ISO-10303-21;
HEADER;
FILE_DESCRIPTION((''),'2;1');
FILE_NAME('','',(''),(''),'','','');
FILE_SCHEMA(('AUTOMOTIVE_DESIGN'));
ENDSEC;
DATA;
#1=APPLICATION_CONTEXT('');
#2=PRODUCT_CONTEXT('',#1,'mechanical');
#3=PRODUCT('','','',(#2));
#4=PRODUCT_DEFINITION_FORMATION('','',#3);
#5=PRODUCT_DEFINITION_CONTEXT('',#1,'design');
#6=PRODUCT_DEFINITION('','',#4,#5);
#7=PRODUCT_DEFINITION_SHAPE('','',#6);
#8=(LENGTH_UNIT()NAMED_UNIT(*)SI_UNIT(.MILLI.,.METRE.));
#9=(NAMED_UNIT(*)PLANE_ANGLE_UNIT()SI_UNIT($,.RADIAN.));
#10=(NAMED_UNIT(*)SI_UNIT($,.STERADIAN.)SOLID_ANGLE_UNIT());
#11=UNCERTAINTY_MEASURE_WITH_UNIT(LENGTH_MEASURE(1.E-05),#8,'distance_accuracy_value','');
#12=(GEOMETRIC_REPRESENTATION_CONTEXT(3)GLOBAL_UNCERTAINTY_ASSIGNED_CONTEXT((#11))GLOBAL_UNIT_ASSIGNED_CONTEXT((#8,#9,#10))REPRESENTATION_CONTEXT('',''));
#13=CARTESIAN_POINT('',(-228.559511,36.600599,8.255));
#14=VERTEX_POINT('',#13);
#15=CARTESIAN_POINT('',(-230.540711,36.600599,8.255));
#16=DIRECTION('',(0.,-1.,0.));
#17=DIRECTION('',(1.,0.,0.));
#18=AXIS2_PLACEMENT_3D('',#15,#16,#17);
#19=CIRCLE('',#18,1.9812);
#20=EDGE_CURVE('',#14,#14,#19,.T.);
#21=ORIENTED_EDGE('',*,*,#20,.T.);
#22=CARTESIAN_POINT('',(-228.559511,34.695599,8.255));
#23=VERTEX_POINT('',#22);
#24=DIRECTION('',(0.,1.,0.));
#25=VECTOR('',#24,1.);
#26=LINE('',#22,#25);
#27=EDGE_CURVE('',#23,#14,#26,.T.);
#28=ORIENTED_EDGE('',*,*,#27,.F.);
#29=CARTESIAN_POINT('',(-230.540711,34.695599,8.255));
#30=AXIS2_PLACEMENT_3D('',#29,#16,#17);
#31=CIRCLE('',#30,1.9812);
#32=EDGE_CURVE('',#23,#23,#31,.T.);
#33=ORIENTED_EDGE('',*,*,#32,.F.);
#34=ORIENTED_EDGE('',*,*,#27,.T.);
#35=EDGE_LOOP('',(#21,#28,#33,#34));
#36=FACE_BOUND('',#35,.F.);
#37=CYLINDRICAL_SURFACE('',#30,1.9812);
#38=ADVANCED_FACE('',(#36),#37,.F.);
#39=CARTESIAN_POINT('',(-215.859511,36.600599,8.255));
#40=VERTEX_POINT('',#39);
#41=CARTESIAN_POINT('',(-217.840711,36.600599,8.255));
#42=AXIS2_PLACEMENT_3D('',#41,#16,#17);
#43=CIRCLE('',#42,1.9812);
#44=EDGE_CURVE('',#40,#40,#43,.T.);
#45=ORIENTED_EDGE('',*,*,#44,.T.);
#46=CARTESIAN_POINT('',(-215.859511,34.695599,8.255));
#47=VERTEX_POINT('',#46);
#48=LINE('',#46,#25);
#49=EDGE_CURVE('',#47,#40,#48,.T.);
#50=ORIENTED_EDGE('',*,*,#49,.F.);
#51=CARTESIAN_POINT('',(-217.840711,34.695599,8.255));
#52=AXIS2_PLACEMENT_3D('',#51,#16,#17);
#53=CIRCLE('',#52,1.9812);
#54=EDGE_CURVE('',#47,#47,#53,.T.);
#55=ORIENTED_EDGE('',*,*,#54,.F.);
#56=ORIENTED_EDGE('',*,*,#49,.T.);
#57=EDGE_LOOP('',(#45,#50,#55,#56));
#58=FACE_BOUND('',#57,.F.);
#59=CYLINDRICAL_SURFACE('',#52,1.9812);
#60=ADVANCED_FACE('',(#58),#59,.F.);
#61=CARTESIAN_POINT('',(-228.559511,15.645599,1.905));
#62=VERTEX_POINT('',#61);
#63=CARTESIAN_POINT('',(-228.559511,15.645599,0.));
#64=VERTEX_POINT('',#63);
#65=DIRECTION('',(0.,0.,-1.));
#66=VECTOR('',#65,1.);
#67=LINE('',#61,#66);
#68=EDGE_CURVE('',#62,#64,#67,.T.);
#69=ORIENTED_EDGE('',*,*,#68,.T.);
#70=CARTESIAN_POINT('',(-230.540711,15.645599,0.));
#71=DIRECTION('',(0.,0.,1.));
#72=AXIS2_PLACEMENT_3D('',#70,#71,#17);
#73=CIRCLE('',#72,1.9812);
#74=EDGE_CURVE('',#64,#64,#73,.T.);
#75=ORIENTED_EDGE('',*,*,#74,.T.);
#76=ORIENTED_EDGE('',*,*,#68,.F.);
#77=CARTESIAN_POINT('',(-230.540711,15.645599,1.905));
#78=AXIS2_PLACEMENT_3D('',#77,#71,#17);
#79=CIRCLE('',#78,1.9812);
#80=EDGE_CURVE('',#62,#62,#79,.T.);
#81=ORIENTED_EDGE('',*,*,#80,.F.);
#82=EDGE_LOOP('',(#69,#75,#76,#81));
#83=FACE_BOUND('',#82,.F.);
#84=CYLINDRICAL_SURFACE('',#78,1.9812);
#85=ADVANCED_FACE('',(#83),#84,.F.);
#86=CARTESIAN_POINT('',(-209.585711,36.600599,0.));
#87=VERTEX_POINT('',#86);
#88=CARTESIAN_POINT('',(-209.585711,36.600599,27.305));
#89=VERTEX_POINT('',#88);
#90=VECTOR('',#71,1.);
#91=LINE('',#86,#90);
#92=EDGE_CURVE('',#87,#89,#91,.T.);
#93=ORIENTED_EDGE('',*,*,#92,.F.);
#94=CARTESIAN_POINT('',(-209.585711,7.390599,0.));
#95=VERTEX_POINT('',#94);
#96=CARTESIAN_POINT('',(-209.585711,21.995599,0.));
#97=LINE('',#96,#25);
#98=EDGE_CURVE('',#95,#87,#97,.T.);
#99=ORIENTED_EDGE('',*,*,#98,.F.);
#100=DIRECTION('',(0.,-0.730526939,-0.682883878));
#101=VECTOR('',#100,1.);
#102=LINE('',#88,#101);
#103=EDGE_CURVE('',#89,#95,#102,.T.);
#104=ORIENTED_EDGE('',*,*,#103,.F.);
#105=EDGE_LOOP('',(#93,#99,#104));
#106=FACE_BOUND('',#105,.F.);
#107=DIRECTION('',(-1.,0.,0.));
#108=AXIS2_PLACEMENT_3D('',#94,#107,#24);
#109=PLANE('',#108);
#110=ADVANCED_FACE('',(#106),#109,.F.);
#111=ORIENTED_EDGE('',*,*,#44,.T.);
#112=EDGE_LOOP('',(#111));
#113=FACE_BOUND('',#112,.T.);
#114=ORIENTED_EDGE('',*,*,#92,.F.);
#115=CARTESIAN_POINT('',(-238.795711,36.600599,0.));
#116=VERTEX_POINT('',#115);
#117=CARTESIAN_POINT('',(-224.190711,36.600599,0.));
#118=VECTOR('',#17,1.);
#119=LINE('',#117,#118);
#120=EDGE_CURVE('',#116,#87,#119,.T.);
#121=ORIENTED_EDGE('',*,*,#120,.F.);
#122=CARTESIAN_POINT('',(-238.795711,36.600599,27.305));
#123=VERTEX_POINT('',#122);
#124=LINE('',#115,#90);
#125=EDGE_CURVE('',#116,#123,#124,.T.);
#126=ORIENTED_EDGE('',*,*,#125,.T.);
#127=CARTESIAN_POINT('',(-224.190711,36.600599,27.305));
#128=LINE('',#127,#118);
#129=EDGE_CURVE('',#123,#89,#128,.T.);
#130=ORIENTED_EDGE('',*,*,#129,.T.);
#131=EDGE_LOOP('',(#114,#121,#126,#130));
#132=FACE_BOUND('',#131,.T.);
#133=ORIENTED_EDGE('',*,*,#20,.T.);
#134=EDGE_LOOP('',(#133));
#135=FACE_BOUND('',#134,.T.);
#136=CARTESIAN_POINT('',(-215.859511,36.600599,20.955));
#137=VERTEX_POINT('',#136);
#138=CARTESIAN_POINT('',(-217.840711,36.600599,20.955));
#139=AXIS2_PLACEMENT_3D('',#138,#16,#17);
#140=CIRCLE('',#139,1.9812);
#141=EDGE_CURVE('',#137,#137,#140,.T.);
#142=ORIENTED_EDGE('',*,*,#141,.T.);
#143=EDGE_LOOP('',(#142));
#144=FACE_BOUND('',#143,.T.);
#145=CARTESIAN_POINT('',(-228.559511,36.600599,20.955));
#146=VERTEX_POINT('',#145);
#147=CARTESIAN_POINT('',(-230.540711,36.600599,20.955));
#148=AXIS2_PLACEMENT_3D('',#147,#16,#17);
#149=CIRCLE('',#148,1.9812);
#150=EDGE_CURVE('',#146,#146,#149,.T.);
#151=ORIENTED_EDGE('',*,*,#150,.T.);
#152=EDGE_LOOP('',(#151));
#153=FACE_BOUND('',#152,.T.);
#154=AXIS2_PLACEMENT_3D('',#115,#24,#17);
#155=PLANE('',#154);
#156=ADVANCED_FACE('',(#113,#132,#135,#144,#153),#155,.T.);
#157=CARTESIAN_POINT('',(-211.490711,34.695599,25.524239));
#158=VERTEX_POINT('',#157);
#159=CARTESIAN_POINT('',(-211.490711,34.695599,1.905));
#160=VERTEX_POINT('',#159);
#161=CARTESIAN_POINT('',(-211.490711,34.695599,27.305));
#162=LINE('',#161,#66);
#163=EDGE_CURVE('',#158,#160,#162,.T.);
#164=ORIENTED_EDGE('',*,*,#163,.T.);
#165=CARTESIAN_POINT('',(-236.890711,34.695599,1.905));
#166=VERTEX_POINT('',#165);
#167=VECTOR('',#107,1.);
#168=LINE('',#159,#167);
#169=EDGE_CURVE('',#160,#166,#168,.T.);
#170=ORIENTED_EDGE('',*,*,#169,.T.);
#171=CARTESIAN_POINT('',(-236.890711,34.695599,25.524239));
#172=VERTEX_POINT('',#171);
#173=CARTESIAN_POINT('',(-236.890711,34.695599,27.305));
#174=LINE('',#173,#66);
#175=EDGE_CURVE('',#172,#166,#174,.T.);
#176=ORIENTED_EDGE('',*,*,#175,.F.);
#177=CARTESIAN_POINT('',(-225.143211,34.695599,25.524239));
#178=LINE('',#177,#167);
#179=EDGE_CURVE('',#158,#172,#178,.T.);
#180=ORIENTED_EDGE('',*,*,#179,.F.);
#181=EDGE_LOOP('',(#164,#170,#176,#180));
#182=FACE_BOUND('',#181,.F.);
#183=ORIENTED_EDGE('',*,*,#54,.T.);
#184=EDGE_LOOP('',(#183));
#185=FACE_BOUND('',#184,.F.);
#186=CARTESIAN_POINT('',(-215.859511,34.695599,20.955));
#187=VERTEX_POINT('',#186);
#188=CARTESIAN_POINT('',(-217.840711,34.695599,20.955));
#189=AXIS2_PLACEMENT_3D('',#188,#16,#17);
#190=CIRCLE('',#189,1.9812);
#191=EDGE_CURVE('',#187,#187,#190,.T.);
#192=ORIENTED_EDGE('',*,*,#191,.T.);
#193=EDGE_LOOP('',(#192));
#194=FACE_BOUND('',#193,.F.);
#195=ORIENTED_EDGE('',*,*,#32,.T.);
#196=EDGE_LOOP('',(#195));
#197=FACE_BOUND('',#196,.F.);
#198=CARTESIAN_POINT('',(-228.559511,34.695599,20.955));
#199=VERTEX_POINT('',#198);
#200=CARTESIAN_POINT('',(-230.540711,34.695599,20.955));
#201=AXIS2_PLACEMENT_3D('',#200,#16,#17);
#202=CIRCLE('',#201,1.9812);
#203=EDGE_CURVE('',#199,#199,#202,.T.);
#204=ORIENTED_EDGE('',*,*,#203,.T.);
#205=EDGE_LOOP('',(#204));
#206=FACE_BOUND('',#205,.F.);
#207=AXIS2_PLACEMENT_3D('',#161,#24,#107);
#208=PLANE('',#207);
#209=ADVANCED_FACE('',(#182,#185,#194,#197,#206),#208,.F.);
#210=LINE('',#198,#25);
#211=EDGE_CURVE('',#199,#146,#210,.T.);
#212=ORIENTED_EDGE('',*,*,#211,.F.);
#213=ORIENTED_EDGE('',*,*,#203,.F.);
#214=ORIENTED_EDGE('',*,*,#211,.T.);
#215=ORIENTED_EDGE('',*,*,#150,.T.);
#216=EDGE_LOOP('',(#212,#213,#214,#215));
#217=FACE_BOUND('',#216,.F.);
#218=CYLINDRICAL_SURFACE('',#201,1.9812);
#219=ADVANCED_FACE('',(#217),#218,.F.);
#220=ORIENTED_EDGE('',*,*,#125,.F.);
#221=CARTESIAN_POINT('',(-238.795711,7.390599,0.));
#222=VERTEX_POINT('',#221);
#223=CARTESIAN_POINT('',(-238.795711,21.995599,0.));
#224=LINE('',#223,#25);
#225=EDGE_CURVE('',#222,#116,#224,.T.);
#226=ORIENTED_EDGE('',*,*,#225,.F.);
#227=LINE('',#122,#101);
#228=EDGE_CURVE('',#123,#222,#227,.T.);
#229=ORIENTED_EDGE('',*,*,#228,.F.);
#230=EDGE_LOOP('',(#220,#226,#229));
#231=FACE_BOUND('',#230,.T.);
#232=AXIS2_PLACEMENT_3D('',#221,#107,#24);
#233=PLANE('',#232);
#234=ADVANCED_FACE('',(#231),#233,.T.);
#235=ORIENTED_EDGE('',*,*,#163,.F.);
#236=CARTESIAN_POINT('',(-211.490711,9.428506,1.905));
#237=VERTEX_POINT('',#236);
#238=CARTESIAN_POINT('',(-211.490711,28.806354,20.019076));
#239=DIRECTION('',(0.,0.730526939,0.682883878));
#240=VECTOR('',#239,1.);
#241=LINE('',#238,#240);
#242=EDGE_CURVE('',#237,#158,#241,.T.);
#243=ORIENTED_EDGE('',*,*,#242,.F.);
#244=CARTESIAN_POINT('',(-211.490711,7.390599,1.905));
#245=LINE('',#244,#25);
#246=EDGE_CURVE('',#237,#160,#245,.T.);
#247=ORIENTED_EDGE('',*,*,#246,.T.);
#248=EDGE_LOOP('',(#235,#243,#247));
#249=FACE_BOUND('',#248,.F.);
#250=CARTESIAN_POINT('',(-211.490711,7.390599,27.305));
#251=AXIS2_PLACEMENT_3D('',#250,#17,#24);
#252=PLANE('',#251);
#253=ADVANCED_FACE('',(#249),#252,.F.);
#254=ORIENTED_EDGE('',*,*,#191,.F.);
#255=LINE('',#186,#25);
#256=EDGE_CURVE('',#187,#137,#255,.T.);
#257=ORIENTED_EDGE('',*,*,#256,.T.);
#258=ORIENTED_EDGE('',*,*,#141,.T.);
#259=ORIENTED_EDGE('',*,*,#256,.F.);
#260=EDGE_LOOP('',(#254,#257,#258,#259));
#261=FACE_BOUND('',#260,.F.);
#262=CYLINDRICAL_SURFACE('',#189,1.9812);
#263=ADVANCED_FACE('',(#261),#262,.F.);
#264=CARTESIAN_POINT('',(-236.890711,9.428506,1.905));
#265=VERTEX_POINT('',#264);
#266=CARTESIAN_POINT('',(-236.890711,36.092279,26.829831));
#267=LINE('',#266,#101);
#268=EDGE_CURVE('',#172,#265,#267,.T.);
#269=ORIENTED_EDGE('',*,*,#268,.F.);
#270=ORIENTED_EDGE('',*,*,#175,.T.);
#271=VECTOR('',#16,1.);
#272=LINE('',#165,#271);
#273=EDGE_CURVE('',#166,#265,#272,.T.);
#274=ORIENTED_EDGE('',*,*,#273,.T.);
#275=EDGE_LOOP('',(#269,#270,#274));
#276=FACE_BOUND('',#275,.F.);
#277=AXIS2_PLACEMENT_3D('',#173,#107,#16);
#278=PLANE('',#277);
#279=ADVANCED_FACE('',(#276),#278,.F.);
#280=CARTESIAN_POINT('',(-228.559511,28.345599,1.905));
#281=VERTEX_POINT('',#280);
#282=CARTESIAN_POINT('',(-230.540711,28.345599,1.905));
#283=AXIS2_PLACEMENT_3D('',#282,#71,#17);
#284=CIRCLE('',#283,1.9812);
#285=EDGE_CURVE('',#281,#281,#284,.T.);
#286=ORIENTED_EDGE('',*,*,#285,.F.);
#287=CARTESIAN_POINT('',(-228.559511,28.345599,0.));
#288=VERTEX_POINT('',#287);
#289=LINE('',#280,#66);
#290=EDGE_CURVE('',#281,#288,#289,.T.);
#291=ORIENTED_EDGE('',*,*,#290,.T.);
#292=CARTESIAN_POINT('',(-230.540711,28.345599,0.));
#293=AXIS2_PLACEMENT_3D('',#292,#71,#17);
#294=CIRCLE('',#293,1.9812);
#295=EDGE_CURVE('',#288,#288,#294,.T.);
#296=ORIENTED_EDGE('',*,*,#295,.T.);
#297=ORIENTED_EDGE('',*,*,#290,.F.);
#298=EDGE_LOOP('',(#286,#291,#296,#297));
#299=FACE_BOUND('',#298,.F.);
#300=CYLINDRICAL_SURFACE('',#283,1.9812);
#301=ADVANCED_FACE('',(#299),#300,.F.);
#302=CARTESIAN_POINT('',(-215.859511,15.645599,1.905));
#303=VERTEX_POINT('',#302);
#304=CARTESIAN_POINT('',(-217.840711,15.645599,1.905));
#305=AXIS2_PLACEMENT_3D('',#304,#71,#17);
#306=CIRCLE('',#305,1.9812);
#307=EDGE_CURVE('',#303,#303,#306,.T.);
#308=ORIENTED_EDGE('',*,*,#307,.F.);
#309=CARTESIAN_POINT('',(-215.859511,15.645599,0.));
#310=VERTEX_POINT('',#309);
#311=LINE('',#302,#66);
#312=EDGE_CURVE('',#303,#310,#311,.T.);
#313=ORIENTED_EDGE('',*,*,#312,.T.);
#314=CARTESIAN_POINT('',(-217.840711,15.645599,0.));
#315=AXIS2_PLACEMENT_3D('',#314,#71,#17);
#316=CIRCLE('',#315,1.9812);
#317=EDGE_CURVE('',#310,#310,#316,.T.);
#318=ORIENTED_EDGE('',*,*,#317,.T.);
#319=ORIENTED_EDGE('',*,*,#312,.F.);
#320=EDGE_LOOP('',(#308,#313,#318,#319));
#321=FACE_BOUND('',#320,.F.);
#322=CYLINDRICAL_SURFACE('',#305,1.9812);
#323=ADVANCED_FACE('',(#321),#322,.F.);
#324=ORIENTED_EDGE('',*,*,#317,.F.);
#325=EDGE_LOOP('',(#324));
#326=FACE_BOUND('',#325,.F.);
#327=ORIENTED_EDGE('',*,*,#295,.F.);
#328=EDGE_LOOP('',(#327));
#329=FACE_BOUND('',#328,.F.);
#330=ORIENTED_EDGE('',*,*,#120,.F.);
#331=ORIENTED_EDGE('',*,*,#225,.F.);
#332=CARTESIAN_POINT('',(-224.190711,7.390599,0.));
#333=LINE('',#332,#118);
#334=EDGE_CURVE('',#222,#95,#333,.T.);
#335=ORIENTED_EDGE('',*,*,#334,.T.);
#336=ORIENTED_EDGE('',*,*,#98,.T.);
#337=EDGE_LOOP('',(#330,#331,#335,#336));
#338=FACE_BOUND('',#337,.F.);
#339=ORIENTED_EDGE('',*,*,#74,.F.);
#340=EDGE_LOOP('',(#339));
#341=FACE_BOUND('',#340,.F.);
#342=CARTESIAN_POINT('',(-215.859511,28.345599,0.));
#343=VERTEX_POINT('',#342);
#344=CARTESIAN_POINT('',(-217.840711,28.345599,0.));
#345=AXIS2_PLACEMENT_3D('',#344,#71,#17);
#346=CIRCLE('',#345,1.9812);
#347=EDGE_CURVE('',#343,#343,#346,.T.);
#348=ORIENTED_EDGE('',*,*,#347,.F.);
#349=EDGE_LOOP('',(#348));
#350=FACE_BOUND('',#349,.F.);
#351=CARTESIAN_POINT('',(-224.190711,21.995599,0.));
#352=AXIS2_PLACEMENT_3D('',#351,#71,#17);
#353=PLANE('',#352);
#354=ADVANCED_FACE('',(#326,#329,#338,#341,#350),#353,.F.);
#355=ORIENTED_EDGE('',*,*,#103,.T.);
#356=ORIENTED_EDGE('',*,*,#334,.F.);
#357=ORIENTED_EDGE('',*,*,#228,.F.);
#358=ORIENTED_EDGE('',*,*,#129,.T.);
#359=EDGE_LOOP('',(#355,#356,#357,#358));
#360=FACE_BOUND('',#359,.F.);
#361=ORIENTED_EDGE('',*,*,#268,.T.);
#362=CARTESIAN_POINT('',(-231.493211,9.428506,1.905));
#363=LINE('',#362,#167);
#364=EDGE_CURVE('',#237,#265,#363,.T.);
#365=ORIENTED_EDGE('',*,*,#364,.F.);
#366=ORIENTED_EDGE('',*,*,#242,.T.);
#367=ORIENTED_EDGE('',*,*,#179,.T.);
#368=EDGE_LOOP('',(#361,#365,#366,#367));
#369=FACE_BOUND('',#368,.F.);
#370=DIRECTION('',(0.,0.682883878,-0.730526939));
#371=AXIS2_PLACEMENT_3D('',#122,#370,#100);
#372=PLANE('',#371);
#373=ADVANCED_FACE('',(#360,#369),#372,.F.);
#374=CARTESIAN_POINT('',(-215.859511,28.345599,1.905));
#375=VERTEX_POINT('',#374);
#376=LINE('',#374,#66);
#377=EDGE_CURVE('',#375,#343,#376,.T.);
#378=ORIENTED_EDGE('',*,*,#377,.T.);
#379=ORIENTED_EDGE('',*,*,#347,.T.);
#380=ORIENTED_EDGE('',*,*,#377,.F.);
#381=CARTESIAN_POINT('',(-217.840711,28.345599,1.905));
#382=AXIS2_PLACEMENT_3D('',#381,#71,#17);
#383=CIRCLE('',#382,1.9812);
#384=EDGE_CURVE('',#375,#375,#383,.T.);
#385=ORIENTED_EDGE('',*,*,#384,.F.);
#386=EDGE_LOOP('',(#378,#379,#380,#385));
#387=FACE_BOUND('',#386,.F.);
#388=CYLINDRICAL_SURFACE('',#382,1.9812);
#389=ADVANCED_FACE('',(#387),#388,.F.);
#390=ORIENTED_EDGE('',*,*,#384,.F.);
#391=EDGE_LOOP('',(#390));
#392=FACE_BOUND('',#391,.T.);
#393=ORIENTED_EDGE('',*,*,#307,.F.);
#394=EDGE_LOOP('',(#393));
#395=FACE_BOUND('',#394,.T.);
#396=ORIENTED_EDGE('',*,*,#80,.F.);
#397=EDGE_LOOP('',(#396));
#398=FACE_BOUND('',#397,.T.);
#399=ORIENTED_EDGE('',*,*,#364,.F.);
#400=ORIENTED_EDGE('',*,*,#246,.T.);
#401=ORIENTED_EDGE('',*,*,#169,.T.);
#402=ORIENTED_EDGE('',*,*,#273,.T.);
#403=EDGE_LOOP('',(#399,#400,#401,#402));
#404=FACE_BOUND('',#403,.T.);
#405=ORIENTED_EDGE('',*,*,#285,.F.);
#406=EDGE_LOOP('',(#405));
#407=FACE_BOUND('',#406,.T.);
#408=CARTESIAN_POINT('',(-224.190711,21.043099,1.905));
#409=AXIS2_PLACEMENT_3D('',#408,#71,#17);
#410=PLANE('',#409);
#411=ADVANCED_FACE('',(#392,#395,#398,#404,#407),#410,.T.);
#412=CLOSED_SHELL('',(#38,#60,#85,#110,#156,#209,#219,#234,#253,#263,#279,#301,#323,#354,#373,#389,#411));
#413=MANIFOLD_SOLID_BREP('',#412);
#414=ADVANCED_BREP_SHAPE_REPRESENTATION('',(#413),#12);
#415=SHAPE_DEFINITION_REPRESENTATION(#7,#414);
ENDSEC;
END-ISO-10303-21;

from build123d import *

# Parameters (mm, degrees)
F0_W     = 29.21
F0_H     = 29.21
F1_DEPTH = 27.305
F4_DEPTH = 25.4
F5_DEPTH = 29.21
F6_R     = 1.9812
F8_DEPTH = 25.4
F7_R     = 1.9812
F9_DEPTH = 25.4


with BuildPart() as f1:
    # F0 (on Top) → F1 (new body)
    with BuildSketch(Plane.XY):
        with Locations((-224.190711, 21.995599)):
            Rectangle(F0_W, F0_H)
    extrude(amount=F1_DEPTH)

    # F2 (on face) → F4 (cut)
    with BuildSketch(Plane.XY.offset(27.305)):
        Polygon((-236.890711, 34.695599), (-236.890711, 7.390599), (-211.490711, 7.390599), (-211.490711, 34.695599), (-224.190711, 34.695599), align=None)
    extrude(amount=-F4_DEPTH, mode=Mode.SUBTRACT)

    # F3 (on face) → F5 (cut)
    with BuildSketch(Plane(origin=(-238.795711, 0, 0), x_dir=(0, -1, 0), z_dir=(-1, 0, 0))):
        Polygon((-7.390599, 27.305), (-36.600599, 27.305), (-7.390599, 0), align=None)
    extrude(amount=-F5_DEPTH, mode=Mode.SUBTRACT)

    # F6 (on face) → F8 (cut)
    with BuildSketch(Plane.XY.offset(1.905)):
        with Locations((-230.540711, 28.345599)):
            Circle(F6_R)
        with Locations((-217.840711, 28.345599)):
            Circle(F6_R)
        with Locations((-217.840711, 15.645599)):
            Circle(F6_R)
        with Locations((-230.540711, 15.645599)):
            Circle(F6_R)
    extrude(amount=-F8_DEPTH, mode=Mode.SUBTRACT)

    # F7 (on face) → F9 (cut)
    with BuildSketch(Plane.XZ.offset(-34.695599)):
        with Locations((-230.540711, 8.255)):
            Circle(F7_R)
        with Locations((-230.540711, 20.955)):
            Circle(F7_R)
        with Locations((-217.840711, 20.955)):
            Circle(F7_R)
        with Locations((-217.840711, 8.255)):
            Circle(F7_R)
    extrude(amount=-F9_DEPTH, mode=Mode.SUBTRACT)


solid = f1.part
